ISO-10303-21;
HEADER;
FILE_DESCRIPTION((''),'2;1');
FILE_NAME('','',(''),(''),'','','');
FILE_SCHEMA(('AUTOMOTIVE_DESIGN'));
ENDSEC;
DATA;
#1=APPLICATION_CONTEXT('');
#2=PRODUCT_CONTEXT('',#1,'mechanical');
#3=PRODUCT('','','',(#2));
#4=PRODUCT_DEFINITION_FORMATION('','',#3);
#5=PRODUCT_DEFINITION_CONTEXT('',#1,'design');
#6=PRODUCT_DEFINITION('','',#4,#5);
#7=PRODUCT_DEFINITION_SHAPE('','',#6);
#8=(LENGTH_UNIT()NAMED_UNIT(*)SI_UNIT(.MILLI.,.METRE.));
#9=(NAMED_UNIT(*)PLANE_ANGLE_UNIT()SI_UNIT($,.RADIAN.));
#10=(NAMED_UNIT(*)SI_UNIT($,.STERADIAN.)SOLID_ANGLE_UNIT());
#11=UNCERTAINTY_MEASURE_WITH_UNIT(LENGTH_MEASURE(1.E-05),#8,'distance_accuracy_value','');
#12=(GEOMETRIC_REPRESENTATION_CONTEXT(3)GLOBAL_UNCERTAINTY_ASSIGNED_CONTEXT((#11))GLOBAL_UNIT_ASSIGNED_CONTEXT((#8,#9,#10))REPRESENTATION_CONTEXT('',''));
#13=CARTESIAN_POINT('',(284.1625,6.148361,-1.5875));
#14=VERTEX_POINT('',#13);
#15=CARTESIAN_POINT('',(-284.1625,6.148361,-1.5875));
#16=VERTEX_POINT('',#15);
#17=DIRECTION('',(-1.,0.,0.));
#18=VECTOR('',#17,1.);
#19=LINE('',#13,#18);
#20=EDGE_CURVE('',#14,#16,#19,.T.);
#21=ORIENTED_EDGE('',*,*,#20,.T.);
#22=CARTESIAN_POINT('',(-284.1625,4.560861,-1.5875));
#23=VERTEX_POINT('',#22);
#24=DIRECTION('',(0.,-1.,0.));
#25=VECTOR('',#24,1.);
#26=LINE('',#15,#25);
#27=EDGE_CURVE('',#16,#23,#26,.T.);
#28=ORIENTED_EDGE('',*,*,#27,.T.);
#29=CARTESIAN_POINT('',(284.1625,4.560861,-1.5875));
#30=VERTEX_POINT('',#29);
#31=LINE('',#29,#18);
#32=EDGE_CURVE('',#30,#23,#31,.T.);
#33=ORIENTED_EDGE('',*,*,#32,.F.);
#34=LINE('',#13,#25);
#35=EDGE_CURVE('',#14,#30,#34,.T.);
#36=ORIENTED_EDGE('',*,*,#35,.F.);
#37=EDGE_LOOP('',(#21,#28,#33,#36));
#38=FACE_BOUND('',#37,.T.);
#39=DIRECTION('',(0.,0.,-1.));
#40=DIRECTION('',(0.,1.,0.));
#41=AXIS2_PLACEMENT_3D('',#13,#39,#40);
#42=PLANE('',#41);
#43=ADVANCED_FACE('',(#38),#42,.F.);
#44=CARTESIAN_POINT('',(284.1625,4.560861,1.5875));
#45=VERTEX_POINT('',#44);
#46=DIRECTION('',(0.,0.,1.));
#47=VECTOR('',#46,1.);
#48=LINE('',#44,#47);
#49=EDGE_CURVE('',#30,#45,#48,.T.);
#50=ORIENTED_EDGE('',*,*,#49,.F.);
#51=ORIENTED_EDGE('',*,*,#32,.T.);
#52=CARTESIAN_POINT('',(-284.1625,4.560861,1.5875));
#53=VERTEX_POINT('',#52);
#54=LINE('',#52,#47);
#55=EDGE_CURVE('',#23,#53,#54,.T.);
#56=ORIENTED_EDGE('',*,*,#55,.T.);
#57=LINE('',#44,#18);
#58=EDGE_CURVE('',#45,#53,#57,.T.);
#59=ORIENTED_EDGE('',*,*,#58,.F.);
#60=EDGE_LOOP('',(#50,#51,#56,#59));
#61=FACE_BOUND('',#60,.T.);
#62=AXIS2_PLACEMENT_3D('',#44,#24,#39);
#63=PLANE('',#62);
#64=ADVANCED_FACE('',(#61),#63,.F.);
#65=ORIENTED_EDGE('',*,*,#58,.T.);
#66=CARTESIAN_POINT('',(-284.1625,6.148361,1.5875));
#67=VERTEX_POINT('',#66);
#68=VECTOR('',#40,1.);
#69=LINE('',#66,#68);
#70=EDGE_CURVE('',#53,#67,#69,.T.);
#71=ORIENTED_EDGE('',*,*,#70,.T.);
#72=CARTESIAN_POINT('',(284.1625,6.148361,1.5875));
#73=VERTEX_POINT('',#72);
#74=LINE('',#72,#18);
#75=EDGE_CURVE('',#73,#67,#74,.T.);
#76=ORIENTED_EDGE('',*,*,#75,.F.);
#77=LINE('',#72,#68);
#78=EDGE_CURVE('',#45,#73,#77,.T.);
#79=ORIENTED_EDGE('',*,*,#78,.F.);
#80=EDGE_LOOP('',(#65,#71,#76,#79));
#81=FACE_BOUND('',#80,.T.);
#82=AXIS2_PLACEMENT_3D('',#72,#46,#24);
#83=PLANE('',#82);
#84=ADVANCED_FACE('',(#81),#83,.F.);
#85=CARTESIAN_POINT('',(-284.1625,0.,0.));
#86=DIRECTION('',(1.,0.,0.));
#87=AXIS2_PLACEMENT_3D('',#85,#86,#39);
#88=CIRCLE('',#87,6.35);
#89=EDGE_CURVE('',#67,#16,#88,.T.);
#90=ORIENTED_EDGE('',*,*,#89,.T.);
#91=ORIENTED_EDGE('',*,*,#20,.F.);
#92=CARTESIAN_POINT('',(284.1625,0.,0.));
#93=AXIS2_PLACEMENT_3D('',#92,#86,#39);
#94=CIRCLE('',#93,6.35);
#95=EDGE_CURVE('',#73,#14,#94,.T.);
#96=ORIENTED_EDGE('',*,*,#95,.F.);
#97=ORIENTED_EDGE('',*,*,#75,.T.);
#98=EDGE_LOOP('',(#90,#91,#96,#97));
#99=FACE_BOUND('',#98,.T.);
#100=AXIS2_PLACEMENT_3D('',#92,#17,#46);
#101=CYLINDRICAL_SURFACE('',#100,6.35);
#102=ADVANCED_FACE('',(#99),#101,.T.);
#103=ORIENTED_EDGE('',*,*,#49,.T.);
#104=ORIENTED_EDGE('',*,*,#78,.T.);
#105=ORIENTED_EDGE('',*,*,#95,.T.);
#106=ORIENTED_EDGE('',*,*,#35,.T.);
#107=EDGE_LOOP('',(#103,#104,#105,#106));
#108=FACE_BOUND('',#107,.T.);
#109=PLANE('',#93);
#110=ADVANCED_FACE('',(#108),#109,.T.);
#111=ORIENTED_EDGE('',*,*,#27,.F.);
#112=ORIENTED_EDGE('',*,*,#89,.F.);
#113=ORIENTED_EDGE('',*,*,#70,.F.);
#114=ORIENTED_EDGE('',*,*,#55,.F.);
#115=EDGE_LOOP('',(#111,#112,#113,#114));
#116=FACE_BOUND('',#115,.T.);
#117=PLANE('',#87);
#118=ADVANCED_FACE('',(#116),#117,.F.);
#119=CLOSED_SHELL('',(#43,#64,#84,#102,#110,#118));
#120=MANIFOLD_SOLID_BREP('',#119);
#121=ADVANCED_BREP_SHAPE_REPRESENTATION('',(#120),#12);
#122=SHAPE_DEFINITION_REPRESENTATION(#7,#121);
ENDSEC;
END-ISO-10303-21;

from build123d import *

# Parameters (mm, degrees)
BOSS_EXTRUDE1_DEPTH = 284.1625


with BuildPart() as part:
    # Sketch1 → Boss-Extrude1 (new body, symmetric)
    with BuildSketch(Plane(origin=(0, 0, 0), x_dir=(0, 0, -1), z_dir=(1, 0, 0))):
        with BuildLine():
            Line((-1.5875, 6.148361062), (-1.5875, 4.560861062))
            Line((-1.5875, 4.560861062), (1.5875, 4.560861062))
            Line((1.5875, 4.560861062), (1.5875, 6.148361062))
            ThreePointArc((1.5875, 6.148361062), (0, -6.35), (-1.5875, 6.148361062))
        make_face()
    extrude(amount=BOSS_EXTRUDE1_DEPTH, both=True)


solid = part.part
